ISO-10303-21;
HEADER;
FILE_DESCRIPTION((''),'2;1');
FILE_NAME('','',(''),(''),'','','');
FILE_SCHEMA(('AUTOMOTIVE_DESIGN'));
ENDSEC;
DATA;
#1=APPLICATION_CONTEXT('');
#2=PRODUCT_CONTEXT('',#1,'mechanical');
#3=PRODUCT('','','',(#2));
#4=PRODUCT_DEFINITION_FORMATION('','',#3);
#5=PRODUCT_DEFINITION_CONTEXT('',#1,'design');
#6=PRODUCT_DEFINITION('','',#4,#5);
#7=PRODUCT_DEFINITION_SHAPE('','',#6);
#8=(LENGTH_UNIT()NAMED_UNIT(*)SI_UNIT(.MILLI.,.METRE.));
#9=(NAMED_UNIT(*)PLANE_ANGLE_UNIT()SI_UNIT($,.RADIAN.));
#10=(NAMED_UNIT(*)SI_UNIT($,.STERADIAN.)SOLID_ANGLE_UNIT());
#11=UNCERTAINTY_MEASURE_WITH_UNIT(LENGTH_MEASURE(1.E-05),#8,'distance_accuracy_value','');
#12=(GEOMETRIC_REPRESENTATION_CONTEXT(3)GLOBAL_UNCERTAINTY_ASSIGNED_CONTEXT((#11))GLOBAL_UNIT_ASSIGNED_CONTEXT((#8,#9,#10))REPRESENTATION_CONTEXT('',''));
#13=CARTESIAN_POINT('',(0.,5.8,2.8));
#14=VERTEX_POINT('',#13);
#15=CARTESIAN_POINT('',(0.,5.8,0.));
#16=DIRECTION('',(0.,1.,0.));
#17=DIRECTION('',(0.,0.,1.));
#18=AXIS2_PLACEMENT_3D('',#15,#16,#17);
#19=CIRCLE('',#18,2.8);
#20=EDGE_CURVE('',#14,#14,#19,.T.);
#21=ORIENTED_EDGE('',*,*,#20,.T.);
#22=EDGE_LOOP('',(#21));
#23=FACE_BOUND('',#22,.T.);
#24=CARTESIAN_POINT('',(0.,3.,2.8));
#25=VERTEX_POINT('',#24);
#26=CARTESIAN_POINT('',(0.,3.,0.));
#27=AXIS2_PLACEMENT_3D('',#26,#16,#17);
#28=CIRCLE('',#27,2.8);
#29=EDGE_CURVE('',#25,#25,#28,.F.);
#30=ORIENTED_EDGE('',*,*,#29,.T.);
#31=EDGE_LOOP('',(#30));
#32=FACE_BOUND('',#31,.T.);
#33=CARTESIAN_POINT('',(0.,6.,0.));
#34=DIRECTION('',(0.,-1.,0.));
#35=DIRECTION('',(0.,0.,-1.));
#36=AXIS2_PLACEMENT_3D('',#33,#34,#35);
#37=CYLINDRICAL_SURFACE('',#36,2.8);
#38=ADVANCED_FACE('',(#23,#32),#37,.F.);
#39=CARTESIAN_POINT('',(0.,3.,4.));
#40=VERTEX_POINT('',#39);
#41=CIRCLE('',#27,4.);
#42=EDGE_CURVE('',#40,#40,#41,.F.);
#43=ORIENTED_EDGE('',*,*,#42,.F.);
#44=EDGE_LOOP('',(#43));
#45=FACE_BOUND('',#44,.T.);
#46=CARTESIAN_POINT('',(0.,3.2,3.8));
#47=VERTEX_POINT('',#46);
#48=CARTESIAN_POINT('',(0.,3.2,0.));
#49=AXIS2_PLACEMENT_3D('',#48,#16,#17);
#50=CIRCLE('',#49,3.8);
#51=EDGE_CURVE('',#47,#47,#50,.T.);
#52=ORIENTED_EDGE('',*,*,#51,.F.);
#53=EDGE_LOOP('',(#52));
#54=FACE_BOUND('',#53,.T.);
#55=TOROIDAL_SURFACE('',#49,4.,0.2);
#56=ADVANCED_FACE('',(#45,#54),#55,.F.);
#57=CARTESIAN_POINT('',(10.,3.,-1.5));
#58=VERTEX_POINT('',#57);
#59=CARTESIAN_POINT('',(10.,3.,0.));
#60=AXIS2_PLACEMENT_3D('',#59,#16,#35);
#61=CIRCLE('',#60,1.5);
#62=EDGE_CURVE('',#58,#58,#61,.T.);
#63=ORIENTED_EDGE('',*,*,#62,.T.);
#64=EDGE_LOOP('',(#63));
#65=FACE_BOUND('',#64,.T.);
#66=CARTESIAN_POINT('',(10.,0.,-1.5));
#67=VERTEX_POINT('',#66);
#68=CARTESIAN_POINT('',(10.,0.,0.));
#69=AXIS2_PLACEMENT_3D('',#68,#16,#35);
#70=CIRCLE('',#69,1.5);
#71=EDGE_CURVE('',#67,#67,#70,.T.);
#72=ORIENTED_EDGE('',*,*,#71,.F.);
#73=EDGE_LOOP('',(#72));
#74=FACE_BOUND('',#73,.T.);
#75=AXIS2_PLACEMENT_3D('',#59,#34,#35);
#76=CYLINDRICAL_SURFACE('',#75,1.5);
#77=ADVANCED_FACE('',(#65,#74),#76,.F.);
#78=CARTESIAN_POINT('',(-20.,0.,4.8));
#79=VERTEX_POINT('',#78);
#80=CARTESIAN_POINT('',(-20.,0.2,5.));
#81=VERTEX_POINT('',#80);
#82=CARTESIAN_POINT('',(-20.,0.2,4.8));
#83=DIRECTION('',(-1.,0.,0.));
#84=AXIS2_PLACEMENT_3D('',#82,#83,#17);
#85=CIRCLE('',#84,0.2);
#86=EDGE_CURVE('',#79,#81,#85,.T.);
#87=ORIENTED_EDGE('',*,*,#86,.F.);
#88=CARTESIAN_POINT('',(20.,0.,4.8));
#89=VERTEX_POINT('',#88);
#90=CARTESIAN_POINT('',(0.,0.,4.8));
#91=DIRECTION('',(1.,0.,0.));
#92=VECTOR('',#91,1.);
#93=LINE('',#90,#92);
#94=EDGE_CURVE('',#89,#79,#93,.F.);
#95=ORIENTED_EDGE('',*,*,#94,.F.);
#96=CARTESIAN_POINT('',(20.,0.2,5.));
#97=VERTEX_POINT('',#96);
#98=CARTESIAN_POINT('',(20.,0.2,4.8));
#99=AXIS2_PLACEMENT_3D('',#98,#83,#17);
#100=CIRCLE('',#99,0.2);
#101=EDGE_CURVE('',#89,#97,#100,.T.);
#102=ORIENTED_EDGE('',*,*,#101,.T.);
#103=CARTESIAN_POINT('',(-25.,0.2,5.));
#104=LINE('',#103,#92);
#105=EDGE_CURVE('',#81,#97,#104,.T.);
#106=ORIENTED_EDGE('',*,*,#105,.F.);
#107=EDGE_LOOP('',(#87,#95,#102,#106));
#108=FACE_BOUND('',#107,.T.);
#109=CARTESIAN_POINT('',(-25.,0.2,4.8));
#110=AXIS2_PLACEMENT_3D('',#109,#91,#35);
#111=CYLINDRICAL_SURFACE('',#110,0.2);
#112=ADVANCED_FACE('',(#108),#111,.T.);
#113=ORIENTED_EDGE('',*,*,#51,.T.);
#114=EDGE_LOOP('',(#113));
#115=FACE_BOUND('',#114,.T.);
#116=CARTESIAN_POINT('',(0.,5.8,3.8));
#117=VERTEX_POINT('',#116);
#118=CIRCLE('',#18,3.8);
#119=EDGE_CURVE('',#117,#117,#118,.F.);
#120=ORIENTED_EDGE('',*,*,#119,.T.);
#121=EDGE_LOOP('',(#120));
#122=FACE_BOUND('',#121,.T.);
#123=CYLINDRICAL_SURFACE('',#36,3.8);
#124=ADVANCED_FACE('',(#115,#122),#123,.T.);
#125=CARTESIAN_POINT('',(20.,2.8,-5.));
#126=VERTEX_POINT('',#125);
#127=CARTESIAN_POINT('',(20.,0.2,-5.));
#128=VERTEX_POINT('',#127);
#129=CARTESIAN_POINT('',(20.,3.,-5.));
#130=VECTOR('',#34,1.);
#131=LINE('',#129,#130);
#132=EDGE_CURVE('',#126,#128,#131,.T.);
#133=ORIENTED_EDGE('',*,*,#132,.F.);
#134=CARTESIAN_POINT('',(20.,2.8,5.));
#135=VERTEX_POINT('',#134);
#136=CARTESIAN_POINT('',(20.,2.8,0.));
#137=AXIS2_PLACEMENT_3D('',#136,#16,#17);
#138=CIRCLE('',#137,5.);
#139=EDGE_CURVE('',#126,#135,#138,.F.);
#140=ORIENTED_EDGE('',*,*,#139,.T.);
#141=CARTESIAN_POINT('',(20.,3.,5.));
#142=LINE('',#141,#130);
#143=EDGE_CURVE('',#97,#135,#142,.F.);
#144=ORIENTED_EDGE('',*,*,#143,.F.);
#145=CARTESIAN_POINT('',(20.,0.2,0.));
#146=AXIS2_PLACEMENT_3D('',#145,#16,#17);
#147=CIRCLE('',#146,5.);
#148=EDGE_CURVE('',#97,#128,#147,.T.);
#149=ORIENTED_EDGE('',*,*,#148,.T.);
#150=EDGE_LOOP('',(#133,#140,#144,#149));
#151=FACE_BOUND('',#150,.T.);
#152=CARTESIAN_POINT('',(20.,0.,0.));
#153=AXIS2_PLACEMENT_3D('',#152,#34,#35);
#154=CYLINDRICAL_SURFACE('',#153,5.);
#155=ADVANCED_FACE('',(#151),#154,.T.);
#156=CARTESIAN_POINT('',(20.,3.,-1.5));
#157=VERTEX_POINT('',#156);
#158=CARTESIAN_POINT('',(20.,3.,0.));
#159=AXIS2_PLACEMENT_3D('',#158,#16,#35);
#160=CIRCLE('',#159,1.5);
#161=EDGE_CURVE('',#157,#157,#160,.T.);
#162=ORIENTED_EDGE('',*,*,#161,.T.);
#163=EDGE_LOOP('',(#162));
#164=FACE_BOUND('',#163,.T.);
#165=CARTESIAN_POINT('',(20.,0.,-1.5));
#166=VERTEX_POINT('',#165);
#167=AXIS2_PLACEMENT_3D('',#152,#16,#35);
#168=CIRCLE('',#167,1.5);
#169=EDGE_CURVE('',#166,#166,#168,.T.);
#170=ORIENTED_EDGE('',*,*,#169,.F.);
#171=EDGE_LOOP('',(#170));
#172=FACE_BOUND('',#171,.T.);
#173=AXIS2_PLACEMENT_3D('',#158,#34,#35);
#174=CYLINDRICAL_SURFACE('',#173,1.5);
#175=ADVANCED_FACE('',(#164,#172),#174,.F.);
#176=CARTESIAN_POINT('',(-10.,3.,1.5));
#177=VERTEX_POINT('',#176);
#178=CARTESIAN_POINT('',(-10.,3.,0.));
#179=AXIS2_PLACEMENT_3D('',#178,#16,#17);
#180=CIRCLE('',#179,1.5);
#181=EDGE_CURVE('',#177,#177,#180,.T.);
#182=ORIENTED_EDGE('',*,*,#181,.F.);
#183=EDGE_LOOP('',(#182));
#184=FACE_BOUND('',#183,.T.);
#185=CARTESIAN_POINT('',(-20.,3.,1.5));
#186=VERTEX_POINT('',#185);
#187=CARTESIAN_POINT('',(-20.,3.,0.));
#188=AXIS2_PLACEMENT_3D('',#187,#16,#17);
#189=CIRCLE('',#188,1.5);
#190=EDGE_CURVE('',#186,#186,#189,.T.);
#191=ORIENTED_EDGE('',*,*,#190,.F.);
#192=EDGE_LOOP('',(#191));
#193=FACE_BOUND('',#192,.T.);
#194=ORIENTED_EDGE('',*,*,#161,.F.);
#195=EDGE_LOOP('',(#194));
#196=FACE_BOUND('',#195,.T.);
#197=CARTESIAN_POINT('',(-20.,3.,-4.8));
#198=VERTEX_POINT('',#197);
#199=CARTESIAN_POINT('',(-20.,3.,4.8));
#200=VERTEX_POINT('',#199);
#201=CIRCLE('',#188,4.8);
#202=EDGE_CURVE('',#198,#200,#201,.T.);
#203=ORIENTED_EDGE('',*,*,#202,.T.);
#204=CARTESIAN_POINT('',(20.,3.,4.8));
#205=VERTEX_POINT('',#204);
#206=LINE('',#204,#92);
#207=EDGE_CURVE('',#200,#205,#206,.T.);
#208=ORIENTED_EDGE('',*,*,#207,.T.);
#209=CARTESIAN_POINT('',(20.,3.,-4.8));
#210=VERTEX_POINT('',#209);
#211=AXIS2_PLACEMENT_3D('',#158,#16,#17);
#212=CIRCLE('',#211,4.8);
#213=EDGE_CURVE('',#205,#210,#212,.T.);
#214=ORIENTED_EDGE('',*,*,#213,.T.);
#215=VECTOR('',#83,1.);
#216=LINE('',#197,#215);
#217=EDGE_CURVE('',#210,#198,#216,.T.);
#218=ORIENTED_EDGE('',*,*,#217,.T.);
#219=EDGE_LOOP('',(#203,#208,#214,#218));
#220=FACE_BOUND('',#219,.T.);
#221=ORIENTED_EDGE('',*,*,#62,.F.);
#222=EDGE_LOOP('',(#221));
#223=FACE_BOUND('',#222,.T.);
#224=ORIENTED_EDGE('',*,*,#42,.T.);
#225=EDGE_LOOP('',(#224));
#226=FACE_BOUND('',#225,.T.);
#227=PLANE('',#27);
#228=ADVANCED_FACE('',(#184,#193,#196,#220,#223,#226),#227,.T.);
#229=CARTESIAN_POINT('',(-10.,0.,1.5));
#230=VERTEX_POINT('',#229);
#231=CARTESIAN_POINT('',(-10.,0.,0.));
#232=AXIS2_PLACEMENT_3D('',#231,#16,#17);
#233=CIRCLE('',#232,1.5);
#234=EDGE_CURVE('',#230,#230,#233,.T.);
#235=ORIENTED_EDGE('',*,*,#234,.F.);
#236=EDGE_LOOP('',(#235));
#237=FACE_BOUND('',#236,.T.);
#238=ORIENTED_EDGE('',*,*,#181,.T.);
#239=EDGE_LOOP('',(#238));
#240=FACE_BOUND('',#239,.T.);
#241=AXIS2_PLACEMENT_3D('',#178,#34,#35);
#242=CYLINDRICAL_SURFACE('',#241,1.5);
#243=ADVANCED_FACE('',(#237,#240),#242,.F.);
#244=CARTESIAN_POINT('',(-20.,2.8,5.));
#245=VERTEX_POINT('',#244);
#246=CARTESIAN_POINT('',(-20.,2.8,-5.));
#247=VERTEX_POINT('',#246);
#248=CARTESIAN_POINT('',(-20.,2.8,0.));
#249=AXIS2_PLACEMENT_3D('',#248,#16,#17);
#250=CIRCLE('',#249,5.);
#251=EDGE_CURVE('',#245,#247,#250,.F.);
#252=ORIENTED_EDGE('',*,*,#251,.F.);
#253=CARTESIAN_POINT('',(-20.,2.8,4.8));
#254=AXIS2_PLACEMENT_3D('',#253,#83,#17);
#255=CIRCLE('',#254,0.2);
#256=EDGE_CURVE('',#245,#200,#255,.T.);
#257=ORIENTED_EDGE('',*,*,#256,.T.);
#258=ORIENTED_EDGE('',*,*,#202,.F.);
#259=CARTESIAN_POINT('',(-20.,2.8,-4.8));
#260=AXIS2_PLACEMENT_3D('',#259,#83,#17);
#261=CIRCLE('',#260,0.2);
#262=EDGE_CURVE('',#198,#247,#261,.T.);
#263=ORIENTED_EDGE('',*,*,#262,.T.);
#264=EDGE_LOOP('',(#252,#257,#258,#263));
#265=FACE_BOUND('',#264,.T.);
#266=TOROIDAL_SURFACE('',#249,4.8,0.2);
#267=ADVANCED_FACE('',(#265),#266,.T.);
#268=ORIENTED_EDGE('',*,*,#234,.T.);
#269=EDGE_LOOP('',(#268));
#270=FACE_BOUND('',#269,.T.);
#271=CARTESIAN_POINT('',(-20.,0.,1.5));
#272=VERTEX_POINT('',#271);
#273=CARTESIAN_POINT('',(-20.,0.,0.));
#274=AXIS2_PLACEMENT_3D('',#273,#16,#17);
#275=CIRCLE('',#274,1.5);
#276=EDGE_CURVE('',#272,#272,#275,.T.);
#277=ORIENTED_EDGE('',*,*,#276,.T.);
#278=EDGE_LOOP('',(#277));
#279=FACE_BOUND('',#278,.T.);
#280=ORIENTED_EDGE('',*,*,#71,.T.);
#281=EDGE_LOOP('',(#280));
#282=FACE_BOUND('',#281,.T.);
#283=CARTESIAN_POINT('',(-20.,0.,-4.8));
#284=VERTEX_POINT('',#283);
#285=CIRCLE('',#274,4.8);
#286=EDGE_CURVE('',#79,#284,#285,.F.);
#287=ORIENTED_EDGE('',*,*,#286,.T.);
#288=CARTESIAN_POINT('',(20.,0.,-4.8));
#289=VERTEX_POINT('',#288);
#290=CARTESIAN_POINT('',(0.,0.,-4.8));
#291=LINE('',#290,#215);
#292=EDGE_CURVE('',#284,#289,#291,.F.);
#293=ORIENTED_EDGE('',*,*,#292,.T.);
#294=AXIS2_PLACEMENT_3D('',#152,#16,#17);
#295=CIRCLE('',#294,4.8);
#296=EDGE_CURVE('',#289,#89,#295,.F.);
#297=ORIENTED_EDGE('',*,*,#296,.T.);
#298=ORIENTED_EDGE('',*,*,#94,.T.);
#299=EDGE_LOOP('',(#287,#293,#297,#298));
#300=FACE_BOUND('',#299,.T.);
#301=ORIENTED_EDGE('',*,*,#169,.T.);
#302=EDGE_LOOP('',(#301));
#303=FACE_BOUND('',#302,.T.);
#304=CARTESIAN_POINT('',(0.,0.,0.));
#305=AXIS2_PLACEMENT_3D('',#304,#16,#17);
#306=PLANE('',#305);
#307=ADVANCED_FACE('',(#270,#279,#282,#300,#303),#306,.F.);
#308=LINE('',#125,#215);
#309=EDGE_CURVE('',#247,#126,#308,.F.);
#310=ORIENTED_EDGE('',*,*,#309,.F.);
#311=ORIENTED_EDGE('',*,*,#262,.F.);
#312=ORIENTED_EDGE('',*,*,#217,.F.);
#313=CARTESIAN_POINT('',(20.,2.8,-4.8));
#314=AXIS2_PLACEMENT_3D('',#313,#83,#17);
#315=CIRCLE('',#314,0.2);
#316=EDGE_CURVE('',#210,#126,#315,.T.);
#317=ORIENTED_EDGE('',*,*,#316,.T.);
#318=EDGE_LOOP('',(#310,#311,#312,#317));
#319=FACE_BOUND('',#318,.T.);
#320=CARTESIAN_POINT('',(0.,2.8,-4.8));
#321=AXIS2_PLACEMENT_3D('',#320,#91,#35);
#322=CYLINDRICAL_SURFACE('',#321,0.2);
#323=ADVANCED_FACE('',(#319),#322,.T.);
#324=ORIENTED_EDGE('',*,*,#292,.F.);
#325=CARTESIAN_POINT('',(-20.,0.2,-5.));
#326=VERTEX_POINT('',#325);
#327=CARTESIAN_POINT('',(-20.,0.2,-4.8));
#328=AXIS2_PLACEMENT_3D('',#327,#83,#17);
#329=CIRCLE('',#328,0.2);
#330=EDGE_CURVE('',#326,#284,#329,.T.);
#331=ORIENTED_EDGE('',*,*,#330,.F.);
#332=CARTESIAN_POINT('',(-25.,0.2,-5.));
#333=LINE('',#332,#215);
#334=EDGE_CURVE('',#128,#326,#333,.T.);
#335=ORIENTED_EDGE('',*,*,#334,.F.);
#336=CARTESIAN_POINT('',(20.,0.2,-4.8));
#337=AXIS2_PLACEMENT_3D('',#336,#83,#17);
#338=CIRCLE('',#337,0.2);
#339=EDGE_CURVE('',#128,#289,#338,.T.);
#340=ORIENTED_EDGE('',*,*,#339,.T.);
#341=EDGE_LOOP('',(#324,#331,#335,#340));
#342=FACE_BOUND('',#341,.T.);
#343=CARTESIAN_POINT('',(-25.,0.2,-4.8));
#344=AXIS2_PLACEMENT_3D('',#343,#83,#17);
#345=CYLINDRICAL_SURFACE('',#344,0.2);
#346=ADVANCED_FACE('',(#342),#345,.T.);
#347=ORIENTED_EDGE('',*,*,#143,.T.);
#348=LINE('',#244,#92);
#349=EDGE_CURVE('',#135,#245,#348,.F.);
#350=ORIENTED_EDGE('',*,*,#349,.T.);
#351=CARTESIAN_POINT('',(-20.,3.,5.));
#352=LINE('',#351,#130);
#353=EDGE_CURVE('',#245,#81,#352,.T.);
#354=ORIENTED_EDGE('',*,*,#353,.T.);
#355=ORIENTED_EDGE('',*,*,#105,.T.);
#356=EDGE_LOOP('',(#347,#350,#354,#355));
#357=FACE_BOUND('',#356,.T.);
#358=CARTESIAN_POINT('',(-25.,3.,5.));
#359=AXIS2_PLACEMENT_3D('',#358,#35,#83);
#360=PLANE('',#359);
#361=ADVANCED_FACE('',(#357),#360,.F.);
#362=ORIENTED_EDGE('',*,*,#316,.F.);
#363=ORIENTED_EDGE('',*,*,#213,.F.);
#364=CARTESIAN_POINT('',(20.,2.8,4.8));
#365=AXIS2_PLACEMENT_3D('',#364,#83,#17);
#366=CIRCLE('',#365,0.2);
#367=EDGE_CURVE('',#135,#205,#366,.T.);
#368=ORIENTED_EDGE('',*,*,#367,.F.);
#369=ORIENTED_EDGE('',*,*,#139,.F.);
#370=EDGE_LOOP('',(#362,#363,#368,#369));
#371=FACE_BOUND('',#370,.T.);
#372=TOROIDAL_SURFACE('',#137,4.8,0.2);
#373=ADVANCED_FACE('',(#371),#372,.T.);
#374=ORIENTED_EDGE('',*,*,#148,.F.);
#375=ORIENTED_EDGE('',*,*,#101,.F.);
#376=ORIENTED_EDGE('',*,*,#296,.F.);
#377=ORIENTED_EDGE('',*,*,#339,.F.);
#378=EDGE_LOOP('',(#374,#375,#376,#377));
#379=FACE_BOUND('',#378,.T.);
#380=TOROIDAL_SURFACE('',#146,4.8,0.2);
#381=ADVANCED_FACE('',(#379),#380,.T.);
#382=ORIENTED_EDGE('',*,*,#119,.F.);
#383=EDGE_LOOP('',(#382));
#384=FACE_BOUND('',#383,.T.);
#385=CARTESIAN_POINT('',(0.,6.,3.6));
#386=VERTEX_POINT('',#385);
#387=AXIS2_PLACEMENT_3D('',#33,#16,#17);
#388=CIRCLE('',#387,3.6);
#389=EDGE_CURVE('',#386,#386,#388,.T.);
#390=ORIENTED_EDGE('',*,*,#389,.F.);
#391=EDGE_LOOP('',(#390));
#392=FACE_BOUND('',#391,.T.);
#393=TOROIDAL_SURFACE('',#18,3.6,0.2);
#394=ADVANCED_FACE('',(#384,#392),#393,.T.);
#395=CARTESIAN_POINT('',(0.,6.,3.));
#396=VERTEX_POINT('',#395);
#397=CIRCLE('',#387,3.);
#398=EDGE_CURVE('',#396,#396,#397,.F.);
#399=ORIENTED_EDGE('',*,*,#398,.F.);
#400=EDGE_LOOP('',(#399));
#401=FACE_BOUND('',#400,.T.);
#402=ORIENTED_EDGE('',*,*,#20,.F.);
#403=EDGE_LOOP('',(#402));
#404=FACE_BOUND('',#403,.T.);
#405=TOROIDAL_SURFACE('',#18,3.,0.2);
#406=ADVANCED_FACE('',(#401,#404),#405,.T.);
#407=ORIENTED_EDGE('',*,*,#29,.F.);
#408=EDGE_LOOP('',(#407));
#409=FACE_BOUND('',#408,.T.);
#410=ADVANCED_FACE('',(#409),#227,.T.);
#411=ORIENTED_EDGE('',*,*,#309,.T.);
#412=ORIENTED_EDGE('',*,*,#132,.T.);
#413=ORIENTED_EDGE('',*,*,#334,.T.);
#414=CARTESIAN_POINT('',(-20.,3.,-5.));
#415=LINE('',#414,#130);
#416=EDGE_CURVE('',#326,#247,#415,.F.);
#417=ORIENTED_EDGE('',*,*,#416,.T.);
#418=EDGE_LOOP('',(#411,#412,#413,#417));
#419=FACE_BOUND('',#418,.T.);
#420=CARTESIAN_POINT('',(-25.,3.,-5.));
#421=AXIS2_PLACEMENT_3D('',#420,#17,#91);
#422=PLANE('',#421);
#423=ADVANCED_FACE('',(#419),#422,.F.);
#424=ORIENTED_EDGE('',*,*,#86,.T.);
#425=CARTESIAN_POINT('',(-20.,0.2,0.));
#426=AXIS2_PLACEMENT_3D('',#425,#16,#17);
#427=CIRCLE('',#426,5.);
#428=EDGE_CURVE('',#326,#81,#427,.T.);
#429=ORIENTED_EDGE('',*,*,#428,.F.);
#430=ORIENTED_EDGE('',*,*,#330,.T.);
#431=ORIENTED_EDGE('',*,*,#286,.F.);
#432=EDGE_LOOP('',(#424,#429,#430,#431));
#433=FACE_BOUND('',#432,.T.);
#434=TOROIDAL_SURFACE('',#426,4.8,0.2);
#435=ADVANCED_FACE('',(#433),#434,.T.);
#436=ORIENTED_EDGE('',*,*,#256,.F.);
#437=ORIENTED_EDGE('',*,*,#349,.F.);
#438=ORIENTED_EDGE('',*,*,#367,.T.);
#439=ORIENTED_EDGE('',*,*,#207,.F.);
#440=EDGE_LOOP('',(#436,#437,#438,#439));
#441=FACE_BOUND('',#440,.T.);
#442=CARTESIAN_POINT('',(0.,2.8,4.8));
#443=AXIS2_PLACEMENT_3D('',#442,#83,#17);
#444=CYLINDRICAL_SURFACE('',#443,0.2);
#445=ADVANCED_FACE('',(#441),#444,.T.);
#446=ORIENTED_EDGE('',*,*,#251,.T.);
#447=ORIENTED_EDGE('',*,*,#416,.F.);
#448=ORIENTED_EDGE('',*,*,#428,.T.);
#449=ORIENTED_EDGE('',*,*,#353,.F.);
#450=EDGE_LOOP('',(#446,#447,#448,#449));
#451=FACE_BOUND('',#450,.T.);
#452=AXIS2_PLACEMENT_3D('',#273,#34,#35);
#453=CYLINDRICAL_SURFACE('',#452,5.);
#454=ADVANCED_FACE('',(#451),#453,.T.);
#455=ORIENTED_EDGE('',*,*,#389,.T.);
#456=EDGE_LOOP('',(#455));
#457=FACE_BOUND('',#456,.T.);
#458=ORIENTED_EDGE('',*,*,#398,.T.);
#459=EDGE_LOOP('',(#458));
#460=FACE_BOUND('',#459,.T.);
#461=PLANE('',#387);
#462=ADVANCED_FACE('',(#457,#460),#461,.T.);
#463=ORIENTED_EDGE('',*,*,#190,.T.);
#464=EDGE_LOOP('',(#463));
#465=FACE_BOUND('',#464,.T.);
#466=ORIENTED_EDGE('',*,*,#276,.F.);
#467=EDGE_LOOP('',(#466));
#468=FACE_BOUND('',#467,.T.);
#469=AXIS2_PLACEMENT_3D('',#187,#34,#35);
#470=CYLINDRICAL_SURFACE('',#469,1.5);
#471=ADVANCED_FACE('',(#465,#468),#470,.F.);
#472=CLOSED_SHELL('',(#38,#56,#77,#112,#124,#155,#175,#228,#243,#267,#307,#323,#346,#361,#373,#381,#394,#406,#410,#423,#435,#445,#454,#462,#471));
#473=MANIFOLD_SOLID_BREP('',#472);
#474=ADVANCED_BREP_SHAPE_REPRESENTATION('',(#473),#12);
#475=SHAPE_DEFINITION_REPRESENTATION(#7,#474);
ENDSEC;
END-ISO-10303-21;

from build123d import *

# Parameters (mm, degrees)
SKETCH1_W           = 50
SKETCH1_H           = 10
SKETCH1_R           = 1.5
BOSS_EXTRUDE1_DEPTH = 3
FILLET2_RADIUS      = 5
FILLET2_LENGTH      = 3
FILLET3_RADIUS      = 5
FILLET3_LENGTH      = 3
SKETCH2_R           = 3.8
SKETCH2_R_2         = 2.8
BOSS_EXTRUDE2_DEPTH = 3
FILLET4_R           = 0.2


with BuildPart() as part:
    # Sketch1 → Boss-Extrude1 (new body)
    with BuildSketch(Plane(origin=(0, 0, 0), x_dir=(1, 0, 0), z_dir=(0, 1, 0))):
        Rectangle(SKETCH1_W, SKETCH1_H)
        with Locations(Location((-20, 0, 0), (0, 0, 270))):
            Circle(SKETCH1_R, mode=Mode.SUBTRACT)
        with Locations(Location((-10, 0, 0), (0, 0, 270))):
            Circle(SKETCH1_R, mode=Mode.SUBTRACT)
        with Locations(Location((10, 0, 0), (0, 0, 90))):
            Circle(SKETCH1_R, mode=Mode.SUBTRACT)
        with Locations(Location((20, 0, 0), (0, 0, 90))):
            Circle(SKETCH1_R, mode=Mode.SUBTRACT)
    extrude(amount=BOSS_EXTRUDE1_DEPTH)

    # Fillet2: full round fillet: the end face becomes a half cylinder, R = half its width
    fillet2_face = Plane((-25, 1.5, 0), x_dir=(0, -1, 0), z_dir=(-1, 0, 0))  # on the end face: x along it, z out of the body
    fillet2_slab = fillet2_face.offset(-FILLET2_RADIUS / 2) * Box(FILLET2_LENGTH, 2 * FILLET2_RADIUS, FILLET2_RADIUS, mode=Mode.PRIVATE)  # the body's end, R deep
    fillet2_round = Plane((-20, 1.5, 0), x_dir=(-1, 0, 0), z_dir=(0, -1, 0)) * Cylinder(FILLET2_RADIUS, FILLET2_LENGTH, mode=Mode.PRIVATE)  # its axis R under the face
    add(fillet2_slab - fillet2_round, mode=Mode.SUBTRACT)

    # Fillet3: full round fillet: the end face becomes a half cylinder, R = half its width
    fillet3_face = Plane((25, 1.5, 0), x_dir=(0, 1, 0), z_dir=(1, 0, 0))  # on the end face: x along it, z out of the body
    fillet3_slab = fillet3_face.offset(-FILLET3_RADIUS / 2) * Box(FILLET3_LENGTH, 2 * FILLET3_RADIUS, FILLET3_RADIUS, mode=Mode.PRIVATE)  # the body's end, R deep
    fillet3_round = Plane((20, 1.5, 0), x_dir=(1, 0, 0), z_dir=(0, 1, 0)) * Cylinder(FILLET3_RADIUS, FILLET3_LENGTH, mode=Mode.PRIVATE)  # its axis R under the face
    add(fillet3_slab - fillet3_round, mode=Mode.SUBTRACT)

    # Sketch2 → Boss-Extrude2 (add)
    with BuildSketch(Plane(origin=(0, 3, 0), x_dir=(1, 0, 0), z_dir=(0, 1, 0))):
        with Locations(Location((0, 0, 0), (0, 0, 270))):
            Circle(SKETCH2_R)
        with Locations(Location((0, 0, 0), (0, 0, 270))):
            Circle(SKETCH2_R_2, mode=Mode.SUBTRACT)
    extrude(amount=BOSS_EXTRUDE2_DEPTH)

    # Fillet4
    fillet4_edges = [part.edges().sort_by_distance(p)[0] for p in [
        (0, 0, 5),
        (0, 3, 5),
        (-25, 0, 0),
        (-25, 3, 0),
        (0, 0, -5),
        (0, 3, -5),
        (25, 0, 0),
        (25, 3, 0),
        (0, 6, -3.8),
        (0, 3, -3.8),
        (0, 6, -2.8),
    ]]
    fillet(fillet4_edges, radius=FILLET4_R)


solid = part.part
